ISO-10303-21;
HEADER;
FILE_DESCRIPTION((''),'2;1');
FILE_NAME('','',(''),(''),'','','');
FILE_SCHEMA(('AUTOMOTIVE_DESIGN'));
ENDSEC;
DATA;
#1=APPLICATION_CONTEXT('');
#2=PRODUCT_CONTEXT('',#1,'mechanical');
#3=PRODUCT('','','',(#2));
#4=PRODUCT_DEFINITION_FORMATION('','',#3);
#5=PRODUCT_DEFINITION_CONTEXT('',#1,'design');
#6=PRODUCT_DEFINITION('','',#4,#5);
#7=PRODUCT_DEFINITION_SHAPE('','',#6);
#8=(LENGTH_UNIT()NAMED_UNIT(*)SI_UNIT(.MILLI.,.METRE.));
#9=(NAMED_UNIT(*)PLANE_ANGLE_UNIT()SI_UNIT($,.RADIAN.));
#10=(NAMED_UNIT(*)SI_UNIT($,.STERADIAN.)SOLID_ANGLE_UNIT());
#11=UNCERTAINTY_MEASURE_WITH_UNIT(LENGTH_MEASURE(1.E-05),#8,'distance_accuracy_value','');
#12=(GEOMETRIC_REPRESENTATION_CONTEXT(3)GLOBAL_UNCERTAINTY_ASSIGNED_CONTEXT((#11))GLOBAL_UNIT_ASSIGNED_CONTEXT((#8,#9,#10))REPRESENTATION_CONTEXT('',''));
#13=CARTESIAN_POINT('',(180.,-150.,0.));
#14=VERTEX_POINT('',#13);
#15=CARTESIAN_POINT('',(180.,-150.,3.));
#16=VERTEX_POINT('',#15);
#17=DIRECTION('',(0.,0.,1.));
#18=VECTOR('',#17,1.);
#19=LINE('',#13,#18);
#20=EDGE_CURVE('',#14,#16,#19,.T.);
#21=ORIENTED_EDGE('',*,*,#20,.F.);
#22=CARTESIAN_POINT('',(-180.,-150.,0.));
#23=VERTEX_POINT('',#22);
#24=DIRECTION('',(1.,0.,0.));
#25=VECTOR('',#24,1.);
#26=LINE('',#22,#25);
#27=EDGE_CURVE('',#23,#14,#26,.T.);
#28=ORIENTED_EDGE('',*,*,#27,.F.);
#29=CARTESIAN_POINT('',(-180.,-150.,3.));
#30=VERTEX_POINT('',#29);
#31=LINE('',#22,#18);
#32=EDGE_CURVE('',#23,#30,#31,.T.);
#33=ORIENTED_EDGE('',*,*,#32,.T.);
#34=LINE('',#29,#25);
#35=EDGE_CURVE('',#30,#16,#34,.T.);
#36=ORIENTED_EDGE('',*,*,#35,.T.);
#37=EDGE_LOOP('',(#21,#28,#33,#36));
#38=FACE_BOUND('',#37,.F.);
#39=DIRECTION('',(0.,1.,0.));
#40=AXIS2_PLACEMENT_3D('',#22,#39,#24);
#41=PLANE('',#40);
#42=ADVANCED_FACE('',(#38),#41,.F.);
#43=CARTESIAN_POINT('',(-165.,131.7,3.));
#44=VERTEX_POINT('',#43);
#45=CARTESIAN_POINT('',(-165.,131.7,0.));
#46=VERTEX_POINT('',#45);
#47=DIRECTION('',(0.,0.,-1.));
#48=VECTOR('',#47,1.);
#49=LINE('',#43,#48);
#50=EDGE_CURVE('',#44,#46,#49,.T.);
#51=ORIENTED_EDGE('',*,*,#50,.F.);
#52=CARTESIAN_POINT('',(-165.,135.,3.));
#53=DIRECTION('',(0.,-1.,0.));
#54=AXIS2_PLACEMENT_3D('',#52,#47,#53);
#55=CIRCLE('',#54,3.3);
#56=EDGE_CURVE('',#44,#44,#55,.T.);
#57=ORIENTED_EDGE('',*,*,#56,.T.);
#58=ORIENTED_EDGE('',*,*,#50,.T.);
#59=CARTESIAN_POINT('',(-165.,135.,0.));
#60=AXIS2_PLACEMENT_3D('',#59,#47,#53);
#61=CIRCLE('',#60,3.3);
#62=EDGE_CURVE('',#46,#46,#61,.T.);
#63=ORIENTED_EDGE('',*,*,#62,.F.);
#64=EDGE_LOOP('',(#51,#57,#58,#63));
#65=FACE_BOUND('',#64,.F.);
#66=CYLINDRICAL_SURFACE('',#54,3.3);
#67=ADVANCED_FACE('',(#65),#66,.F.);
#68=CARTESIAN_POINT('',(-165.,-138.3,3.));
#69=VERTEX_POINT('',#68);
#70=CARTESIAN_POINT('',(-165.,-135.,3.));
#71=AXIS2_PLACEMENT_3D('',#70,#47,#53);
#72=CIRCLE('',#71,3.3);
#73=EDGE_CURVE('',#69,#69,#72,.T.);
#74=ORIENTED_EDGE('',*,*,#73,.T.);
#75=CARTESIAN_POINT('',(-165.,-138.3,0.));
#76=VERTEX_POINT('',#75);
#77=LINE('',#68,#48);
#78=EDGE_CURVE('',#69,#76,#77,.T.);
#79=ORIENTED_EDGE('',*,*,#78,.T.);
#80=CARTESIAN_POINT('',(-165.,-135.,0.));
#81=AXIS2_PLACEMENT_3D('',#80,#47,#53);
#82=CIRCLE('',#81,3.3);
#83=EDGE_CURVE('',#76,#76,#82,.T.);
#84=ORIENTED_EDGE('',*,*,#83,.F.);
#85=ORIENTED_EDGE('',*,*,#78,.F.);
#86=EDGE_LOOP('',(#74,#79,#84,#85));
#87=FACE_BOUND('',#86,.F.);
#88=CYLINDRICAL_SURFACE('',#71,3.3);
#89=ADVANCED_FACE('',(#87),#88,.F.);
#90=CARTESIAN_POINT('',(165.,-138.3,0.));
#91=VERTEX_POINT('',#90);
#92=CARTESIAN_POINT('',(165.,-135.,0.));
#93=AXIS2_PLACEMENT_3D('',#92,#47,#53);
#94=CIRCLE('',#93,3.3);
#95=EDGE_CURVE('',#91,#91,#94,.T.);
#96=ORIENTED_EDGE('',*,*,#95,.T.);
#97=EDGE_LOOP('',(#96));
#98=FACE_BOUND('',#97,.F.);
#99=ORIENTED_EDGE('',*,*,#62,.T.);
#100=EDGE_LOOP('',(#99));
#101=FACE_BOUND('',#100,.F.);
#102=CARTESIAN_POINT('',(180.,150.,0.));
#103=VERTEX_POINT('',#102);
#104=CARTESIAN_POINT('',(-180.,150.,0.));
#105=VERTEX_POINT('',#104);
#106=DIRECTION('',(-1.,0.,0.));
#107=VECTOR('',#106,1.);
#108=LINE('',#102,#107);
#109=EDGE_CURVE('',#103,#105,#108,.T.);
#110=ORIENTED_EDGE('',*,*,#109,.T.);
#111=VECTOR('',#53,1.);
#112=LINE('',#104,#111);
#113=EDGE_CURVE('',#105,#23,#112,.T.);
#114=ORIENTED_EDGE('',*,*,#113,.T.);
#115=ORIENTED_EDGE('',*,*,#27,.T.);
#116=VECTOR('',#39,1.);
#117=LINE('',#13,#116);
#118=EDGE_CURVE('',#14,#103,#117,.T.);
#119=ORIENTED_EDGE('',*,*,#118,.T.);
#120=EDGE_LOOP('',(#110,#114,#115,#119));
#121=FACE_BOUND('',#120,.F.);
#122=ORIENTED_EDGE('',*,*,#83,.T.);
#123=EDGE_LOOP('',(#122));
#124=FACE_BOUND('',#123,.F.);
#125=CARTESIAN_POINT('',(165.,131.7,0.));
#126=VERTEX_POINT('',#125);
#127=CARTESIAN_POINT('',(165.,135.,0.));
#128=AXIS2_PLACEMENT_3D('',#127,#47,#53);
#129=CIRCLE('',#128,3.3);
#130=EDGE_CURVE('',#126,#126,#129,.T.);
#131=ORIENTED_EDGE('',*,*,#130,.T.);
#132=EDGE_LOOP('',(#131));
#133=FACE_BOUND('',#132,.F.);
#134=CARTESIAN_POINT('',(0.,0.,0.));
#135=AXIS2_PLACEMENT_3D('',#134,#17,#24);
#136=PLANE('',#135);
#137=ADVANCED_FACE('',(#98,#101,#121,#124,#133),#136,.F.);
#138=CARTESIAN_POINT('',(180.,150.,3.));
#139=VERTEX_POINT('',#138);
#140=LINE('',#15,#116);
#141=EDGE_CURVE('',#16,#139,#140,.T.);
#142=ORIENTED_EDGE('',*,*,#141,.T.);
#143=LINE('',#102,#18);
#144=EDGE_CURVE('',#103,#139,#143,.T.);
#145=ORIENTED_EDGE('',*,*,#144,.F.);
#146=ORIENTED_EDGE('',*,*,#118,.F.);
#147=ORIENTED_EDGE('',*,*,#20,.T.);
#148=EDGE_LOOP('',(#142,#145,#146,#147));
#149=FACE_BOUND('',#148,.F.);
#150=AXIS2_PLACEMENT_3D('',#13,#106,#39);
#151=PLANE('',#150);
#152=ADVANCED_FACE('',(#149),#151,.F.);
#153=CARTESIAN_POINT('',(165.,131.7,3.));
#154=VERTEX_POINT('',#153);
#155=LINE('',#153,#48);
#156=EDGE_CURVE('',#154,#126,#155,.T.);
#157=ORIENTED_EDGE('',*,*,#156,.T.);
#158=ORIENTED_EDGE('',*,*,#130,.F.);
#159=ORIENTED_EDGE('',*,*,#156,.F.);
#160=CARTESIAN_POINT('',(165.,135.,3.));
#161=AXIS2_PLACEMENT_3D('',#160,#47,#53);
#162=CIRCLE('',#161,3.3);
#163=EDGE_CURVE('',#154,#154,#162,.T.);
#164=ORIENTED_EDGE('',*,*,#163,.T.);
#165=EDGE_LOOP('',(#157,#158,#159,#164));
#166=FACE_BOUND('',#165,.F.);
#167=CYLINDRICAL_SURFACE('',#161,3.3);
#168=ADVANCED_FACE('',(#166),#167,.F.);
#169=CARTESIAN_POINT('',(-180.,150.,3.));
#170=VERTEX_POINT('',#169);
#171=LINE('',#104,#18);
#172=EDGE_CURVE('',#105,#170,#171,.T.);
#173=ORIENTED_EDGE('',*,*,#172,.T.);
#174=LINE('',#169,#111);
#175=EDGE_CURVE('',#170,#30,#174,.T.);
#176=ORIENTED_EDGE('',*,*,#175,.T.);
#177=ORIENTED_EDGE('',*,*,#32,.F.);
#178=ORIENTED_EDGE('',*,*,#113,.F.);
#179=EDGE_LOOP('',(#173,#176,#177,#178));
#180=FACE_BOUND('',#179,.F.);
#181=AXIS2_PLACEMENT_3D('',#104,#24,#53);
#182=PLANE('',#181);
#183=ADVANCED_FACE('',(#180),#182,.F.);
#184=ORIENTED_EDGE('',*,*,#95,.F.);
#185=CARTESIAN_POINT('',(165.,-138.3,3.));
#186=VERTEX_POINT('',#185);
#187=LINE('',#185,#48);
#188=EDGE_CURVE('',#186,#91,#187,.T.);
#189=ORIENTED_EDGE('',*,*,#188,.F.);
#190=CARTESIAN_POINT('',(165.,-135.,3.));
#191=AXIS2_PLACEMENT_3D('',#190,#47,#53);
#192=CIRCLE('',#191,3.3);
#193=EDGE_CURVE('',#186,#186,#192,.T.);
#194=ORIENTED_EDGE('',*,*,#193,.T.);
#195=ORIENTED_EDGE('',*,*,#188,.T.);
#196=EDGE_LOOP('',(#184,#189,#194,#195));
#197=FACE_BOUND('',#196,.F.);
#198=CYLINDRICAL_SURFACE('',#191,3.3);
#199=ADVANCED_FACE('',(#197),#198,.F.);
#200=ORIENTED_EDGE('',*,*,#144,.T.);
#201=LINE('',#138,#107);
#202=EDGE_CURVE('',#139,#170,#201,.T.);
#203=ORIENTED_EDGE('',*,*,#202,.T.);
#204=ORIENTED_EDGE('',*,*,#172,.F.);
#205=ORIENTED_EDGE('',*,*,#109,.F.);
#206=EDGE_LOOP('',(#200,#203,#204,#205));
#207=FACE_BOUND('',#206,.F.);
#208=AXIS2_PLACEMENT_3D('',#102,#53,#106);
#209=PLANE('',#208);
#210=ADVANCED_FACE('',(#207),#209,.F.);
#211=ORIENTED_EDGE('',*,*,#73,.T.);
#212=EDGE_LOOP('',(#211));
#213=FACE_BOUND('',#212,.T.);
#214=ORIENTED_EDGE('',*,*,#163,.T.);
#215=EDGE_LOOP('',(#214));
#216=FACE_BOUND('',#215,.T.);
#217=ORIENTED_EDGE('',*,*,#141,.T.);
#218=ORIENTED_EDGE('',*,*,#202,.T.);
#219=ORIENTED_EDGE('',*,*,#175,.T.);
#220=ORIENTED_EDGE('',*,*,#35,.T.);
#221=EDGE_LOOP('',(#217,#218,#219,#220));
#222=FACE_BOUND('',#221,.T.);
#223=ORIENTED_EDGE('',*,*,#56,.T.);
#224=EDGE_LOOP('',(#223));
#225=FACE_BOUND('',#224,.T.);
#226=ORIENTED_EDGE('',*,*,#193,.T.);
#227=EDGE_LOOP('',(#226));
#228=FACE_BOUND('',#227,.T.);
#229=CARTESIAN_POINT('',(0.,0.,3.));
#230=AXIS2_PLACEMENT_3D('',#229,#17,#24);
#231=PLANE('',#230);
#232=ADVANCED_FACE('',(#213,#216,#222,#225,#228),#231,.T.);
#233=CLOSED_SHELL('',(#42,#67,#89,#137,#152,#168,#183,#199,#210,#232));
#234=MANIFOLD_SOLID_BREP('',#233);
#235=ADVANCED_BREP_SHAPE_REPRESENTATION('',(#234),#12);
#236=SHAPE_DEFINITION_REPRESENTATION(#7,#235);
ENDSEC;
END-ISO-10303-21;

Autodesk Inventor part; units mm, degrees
ref_plane "YZ Plane" through (0, 0, 0) normal (1, 0, 0) x (0, 1, 0)
ref_plane "XZ Plane" through (0, 0, 0) normal (0, 1, 0) x (-1, 0, 0)
ref_plane "XY Plane" through (0, 0, 0) normal (0, 0, 1) x (1, 0, 0)
sketch "スケッチ2" plane through (0, 0, 0) normal (0, 0, 1) x (1, 0, 0)
  line L0 (180, 150) -> (-180, 150)
  line L1 (-180, 150) -> (-180, -150)
  line L2 (-180, -150) -> (180, -150)
  line L3 (180, -150) -> (180, 150)
  line L4 (180, 150) -> (-180, -150) construction
  line L5 (-180, 150) -> (180, -150) construction
  point P0 (0, 0)
  dimension "d0" = 360
  dimension "d1" = 300
extrude "押し出し1" add sketch "スケッチ2" along normal blind 3
sketch "スケッチ3" plane through (0, 0, 3) normal (0, 0, 1) x (1, 0, 0)
  line L0 (-180, 150) -> (-180, -150) construction
  line L1 (-180, -150) -> (180, -150) construction
  line L2 (180, -150) -> (180, 150) construction
  line L3 (180, 150) -> (-180, 150) construction
  line L4 (165, 135) -> (-165, 135) construction
  line L5 (-165, 135) -> (-165, -135) construction
  line L6 (-165, -135) -> (165, -135) construction
  line L7 (165, -135) -> (165, 135) construction
  line L8 (165, 135) -> (-165, -135) construction
  line L9 (-165, 135) -> (165, -135) construction
  point P0 (0, 0)
  dimension "d4" = 15
  dimension "d5" = 15
hole "穴1" at (-165, 135, 3) at (165, 135, 3) at (165, -135, 3) at (-165, -135, 3) direction (0, 0, -1) diameter 6.6 end through all
equation "\"d5\" = d4"
properties part number "front_panel"
